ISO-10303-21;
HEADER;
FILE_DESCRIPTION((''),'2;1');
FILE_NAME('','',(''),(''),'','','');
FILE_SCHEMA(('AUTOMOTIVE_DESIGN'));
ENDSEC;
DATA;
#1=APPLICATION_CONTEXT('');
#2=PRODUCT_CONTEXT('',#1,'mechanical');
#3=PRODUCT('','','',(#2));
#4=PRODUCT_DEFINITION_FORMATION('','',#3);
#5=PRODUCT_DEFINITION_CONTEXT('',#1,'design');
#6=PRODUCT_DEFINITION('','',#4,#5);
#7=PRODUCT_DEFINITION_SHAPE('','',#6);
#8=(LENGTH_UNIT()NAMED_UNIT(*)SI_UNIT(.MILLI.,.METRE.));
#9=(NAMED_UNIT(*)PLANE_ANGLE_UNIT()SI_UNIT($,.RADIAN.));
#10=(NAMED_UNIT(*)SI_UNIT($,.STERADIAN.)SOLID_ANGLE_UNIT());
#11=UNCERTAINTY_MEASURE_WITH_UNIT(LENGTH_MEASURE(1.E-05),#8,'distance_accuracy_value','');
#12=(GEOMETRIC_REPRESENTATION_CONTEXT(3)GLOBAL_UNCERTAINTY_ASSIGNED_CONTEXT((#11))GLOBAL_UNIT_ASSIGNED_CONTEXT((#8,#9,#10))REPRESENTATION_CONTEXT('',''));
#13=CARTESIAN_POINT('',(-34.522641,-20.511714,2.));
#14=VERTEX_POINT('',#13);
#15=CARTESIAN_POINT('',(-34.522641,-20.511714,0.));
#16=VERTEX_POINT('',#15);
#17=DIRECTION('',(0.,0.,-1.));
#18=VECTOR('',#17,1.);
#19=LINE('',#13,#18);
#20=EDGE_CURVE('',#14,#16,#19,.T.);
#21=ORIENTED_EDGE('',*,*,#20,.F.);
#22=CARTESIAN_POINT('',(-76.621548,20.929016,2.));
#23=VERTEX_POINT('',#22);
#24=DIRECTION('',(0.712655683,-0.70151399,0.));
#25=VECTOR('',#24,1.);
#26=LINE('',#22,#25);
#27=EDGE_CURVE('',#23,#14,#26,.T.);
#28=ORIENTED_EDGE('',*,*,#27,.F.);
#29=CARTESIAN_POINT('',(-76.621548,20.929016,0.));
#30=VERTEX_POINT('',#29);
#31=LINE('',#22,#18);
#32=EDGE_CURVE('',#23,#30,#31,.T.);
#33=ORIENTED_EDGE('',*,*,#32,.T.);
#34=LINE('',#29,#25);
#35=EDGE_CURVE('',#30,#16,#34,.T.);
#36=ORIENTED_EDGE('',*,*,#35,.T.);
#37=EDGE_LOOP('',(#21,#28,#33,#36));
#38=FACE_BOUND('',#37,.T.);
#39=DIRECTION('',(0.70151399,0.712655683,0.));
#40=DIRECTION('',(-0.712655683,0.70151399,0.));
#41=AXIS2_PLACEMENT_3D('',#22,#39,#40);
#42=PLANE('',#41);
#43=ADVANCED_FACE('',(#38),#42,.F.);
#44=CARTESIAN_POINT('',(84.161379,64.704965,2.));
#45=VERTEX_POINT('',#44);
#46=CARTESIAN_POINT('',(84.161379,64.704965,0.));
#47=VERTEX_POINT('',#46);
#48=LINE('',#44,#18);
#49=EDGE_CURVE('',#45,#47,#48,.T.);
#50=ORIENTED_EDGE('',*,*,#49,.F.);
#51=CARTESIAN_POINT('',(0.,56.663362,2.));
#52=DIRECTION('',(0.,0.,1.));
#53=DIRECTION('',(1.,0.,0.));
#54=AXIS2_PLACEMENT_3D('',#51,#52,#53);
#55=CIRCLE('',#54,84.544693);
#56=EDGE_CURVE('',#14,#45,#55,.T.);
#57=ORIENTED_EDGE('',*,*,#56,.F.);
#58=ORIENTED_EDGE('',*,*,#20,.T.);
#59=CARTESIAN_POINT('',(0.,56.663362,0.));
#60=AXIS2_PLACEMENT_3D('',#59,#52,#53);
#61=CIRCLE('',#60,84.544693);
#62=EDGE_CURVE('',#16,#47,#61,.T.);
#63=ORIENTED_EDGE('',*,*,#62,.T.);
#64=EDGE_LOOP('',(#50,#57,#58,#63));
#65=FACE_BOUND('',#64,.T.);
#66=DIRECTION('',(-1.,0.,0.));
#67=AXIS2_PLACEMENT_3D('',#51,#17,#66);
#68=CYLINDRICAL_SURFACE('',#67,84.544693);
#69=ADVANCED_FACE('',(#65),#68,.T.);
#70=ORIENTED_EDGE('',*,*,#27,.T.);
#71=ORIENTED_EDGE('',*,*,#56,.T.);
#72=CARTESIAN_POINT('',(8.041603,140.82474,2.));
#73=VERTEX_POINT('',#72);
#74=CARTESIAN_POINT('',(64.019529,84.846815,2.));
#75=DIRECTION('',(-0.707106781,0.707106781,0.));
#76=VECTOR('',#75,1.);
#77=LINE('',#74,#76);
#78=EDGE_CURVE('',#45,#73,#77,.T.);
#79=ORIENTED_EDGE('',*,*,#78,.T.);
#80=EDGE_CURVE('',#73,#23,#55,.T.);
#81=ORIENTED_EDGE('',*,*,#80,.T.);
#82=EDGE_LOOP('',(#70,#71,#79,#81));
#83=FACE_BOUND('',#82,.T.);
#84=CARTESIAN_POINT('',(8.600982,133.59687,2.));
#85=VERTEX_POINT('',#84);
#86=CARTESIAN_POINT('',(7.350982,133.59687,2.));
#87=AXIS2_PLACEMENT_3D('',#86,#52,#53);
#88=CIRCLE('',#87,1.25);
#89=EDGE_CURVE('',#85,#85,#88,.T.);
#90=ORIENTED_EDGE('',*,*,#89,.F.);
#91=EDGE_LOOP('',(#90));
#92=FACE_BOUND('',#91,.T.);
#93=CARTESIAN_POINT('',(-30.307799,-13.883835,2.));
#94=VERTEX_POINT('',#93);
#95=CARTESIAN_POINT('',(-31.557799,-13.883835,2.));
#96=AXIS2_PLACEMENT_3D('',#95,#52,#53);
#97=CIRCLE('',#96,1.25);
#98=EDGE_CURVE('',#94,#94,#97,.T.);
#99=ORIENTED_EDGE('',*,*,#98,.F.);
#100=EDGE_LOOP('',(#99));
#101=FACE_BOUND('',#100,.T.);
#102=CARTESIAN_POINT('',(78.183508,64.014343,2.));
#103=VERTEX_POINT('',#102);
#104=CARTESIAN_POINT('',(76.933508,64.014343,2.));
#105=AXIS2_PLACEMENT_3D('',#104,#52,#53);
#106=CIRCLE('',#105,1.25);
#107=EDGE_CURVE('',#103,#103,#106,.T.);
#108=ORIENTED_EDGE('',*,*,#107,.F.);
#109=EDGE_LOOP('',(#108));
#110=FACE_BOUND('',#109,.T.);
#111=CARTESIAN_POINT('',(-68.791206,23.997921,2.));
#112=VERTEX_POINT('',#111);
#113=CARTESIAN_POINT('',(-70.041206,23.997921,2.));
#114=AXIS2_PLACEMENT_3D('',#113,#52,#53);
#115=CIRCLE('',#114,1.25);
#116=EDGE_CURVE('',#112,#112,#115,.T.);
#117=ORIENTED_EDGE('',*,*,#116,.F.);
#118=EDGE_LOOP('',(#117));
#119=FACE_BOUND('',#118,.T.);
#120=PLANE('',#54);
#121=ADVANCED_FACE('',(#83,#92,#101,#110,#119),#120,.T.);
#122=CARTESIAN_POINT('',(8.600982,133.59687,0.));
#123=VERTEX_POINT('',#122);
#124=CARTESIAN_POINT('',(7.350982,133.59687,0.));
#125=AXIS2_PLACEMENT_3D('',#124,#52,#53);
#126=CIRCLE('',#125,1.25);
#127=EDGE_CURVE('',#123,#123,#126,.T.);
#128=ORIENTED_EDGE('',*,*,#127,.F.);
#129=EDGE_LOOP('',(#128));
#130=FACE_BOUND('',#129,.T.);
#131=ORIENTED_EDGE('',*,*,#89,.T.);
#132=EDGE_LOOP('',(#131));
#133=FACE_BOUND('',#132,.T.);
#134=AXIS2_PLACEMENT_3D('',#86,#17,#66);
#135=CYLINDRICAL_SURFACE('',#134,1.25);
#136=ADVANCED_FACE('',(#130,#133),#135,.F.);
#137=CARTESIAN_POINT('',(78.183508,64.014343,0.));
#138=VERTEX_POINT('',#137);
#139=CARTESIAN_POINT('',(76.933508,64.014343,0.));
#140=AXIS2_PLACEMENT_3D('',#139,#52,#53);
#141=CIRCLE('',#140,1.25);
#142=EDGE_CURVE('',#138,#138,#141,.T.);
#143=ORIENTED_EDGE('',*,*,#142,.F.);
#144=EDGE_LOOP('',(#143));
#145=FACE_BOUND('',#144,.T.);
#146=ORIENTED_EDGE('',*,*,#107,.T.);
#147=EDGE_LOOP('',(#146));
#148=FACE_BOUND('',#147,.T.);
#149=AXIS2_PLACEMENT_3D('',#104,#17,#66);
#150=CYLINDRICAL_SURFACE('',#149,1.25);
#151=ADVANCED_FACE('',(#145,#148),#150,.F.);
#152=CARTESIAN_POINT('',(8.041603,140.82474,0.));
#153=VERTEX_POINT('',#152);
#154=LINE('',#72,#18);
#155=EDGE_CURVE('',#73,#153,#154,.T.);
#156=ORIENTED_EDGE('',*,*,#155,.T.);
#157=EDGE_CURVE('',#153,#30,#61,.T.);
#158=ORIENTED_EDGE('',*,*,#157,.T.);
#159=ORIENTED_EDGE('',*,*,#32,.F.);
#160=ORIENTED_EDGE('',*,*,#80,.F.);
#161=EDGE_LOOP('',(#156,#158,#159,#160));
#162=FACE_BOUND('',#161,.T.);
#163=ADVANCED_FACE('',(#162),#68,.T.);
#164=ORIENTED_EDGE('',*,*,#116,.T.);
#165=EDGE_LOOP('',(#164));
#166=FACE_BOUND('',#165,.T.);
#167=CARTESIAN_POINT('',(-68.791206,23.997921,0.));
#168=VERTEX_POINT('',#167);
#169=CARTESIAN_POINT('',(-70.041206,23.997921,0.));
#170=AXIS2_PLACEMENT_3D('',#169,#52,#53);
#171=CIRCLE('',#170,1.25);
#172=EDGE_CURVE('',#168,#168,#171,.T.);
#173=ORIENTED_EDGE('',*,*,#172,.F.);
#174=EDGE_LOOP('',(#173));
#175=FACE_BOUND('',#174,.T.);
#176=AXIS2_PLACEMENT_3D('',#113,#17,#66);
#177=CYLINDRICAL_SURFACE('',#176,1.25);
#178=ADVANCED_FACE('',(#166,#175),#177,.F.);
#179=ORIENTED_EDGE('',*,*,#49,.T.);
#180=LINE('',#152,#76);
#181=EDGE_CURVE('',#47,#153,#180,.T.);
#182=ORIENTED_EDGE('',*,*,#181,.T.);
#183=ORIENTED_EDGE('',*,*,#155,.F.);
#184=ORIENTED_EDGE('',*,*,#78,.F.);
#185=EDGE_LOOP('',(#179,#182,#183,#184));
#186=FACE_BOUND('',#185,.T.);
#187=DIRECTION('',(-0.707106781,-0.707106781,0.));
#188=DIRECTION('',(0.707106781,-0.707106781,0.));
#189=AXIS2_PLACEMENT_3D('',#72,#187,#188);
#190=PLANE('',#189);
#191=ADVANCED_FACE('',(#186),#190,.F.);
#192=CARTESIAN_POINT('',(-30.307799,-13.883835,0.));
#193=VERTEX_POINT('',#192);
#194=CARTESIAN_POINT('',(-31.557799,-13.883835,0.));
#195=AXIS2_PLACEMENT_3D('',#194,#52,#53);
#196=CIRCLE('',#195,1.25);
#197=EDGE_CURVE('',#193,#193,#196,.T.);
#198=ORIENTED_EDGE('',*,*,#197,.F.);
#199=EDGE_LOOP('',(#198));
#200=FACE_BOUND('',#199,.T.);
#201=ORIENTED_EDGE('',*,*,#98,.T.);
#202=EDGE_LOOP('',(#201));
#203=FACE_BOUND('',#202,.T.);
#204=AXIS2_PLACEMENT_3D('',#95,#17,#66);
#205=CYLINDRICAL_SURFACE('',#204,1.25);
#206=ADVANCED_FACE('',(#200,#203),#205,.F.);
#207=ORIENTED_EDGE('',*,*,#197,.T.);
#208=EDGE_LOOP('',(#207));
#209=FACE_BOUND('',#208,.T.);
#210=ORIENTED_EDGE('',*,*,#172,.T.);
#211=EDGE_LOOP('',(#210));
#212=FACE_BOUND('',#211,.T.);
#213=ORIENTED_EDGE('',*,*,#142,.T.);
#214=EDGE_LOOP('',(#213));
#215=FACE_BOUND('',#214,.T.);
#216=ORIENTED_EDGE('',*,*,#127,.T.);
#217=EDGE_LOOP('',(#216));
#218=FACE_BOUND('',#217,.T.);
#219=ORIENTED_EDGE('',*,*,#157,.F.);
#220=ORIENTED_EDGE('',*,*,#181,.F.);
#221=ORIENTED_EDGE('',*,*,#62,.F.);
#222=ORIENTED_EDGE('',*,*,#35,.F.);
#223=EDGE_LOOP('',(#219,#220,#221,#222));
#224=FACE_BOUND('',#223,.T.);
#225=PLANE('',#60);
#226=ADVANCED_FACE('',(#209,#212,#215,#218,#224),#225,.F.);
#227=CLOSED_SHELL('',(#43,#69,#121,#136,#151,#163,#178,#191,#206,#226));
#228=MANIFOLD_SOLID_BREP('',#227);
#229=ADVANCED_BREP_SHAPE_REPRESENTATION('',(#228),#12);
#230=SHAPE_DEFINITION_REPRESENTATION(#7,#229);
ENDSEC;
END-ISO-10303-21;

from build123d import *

# Parameters (mm, degrees)
ESBO_O1_R                = 1.25
RESSALTO_EXTRUS_O1_DEPTH = 2


with BuildPart() as part:
    # Esboço1 → Ressalto-extrusão1 (new body)
    with BuildSketch(Plane.XY):
        with BuildLine():
            Line((64.019528598, 84.846815111), (84.16137873, 64.704964979))
            ThreePointArc((84.16137873, 64.704964979), (49.309954929, -12.012204688), (-34.522641382, -20.511713992))
            Line((-34.522641382, -20.511713992), (-76.621548101, 20.929016434))
            ThreePointArc((-76.621548101, 20.929016434), (-69.061916809, 105.430734899), (8.041603414, 140.824740295))
            Line((8.041603414, 140.824740295), (28.423773233, 120.442570476))
            Line((28.423773233, 120.442570476), (64.019528598, 84.846815111))
        make_face()
        with Locations((-31.557799421, -13.88383463)):
            Circle(ESBO_O1_R, mode=Mode.SUBTRACT)
        with Locations((7.350981773, 133.596869623)):
            Circle(ESBO_O1_R, mode=Mode.SUBTRACT)
        with Locations((76.933508058, 64.014343338)):
            Circle(ESBO_O1_R, mode=Mode.SUBTRACT)
        with Locations((-70.041206278, 23.99792083)):
            Circle(ESBO_O1_R, mode=Mode.SUBTRACT)
    extrude(amount=RESSALTO_EXTRUS_O1_DEPTH)


solid = part.part
